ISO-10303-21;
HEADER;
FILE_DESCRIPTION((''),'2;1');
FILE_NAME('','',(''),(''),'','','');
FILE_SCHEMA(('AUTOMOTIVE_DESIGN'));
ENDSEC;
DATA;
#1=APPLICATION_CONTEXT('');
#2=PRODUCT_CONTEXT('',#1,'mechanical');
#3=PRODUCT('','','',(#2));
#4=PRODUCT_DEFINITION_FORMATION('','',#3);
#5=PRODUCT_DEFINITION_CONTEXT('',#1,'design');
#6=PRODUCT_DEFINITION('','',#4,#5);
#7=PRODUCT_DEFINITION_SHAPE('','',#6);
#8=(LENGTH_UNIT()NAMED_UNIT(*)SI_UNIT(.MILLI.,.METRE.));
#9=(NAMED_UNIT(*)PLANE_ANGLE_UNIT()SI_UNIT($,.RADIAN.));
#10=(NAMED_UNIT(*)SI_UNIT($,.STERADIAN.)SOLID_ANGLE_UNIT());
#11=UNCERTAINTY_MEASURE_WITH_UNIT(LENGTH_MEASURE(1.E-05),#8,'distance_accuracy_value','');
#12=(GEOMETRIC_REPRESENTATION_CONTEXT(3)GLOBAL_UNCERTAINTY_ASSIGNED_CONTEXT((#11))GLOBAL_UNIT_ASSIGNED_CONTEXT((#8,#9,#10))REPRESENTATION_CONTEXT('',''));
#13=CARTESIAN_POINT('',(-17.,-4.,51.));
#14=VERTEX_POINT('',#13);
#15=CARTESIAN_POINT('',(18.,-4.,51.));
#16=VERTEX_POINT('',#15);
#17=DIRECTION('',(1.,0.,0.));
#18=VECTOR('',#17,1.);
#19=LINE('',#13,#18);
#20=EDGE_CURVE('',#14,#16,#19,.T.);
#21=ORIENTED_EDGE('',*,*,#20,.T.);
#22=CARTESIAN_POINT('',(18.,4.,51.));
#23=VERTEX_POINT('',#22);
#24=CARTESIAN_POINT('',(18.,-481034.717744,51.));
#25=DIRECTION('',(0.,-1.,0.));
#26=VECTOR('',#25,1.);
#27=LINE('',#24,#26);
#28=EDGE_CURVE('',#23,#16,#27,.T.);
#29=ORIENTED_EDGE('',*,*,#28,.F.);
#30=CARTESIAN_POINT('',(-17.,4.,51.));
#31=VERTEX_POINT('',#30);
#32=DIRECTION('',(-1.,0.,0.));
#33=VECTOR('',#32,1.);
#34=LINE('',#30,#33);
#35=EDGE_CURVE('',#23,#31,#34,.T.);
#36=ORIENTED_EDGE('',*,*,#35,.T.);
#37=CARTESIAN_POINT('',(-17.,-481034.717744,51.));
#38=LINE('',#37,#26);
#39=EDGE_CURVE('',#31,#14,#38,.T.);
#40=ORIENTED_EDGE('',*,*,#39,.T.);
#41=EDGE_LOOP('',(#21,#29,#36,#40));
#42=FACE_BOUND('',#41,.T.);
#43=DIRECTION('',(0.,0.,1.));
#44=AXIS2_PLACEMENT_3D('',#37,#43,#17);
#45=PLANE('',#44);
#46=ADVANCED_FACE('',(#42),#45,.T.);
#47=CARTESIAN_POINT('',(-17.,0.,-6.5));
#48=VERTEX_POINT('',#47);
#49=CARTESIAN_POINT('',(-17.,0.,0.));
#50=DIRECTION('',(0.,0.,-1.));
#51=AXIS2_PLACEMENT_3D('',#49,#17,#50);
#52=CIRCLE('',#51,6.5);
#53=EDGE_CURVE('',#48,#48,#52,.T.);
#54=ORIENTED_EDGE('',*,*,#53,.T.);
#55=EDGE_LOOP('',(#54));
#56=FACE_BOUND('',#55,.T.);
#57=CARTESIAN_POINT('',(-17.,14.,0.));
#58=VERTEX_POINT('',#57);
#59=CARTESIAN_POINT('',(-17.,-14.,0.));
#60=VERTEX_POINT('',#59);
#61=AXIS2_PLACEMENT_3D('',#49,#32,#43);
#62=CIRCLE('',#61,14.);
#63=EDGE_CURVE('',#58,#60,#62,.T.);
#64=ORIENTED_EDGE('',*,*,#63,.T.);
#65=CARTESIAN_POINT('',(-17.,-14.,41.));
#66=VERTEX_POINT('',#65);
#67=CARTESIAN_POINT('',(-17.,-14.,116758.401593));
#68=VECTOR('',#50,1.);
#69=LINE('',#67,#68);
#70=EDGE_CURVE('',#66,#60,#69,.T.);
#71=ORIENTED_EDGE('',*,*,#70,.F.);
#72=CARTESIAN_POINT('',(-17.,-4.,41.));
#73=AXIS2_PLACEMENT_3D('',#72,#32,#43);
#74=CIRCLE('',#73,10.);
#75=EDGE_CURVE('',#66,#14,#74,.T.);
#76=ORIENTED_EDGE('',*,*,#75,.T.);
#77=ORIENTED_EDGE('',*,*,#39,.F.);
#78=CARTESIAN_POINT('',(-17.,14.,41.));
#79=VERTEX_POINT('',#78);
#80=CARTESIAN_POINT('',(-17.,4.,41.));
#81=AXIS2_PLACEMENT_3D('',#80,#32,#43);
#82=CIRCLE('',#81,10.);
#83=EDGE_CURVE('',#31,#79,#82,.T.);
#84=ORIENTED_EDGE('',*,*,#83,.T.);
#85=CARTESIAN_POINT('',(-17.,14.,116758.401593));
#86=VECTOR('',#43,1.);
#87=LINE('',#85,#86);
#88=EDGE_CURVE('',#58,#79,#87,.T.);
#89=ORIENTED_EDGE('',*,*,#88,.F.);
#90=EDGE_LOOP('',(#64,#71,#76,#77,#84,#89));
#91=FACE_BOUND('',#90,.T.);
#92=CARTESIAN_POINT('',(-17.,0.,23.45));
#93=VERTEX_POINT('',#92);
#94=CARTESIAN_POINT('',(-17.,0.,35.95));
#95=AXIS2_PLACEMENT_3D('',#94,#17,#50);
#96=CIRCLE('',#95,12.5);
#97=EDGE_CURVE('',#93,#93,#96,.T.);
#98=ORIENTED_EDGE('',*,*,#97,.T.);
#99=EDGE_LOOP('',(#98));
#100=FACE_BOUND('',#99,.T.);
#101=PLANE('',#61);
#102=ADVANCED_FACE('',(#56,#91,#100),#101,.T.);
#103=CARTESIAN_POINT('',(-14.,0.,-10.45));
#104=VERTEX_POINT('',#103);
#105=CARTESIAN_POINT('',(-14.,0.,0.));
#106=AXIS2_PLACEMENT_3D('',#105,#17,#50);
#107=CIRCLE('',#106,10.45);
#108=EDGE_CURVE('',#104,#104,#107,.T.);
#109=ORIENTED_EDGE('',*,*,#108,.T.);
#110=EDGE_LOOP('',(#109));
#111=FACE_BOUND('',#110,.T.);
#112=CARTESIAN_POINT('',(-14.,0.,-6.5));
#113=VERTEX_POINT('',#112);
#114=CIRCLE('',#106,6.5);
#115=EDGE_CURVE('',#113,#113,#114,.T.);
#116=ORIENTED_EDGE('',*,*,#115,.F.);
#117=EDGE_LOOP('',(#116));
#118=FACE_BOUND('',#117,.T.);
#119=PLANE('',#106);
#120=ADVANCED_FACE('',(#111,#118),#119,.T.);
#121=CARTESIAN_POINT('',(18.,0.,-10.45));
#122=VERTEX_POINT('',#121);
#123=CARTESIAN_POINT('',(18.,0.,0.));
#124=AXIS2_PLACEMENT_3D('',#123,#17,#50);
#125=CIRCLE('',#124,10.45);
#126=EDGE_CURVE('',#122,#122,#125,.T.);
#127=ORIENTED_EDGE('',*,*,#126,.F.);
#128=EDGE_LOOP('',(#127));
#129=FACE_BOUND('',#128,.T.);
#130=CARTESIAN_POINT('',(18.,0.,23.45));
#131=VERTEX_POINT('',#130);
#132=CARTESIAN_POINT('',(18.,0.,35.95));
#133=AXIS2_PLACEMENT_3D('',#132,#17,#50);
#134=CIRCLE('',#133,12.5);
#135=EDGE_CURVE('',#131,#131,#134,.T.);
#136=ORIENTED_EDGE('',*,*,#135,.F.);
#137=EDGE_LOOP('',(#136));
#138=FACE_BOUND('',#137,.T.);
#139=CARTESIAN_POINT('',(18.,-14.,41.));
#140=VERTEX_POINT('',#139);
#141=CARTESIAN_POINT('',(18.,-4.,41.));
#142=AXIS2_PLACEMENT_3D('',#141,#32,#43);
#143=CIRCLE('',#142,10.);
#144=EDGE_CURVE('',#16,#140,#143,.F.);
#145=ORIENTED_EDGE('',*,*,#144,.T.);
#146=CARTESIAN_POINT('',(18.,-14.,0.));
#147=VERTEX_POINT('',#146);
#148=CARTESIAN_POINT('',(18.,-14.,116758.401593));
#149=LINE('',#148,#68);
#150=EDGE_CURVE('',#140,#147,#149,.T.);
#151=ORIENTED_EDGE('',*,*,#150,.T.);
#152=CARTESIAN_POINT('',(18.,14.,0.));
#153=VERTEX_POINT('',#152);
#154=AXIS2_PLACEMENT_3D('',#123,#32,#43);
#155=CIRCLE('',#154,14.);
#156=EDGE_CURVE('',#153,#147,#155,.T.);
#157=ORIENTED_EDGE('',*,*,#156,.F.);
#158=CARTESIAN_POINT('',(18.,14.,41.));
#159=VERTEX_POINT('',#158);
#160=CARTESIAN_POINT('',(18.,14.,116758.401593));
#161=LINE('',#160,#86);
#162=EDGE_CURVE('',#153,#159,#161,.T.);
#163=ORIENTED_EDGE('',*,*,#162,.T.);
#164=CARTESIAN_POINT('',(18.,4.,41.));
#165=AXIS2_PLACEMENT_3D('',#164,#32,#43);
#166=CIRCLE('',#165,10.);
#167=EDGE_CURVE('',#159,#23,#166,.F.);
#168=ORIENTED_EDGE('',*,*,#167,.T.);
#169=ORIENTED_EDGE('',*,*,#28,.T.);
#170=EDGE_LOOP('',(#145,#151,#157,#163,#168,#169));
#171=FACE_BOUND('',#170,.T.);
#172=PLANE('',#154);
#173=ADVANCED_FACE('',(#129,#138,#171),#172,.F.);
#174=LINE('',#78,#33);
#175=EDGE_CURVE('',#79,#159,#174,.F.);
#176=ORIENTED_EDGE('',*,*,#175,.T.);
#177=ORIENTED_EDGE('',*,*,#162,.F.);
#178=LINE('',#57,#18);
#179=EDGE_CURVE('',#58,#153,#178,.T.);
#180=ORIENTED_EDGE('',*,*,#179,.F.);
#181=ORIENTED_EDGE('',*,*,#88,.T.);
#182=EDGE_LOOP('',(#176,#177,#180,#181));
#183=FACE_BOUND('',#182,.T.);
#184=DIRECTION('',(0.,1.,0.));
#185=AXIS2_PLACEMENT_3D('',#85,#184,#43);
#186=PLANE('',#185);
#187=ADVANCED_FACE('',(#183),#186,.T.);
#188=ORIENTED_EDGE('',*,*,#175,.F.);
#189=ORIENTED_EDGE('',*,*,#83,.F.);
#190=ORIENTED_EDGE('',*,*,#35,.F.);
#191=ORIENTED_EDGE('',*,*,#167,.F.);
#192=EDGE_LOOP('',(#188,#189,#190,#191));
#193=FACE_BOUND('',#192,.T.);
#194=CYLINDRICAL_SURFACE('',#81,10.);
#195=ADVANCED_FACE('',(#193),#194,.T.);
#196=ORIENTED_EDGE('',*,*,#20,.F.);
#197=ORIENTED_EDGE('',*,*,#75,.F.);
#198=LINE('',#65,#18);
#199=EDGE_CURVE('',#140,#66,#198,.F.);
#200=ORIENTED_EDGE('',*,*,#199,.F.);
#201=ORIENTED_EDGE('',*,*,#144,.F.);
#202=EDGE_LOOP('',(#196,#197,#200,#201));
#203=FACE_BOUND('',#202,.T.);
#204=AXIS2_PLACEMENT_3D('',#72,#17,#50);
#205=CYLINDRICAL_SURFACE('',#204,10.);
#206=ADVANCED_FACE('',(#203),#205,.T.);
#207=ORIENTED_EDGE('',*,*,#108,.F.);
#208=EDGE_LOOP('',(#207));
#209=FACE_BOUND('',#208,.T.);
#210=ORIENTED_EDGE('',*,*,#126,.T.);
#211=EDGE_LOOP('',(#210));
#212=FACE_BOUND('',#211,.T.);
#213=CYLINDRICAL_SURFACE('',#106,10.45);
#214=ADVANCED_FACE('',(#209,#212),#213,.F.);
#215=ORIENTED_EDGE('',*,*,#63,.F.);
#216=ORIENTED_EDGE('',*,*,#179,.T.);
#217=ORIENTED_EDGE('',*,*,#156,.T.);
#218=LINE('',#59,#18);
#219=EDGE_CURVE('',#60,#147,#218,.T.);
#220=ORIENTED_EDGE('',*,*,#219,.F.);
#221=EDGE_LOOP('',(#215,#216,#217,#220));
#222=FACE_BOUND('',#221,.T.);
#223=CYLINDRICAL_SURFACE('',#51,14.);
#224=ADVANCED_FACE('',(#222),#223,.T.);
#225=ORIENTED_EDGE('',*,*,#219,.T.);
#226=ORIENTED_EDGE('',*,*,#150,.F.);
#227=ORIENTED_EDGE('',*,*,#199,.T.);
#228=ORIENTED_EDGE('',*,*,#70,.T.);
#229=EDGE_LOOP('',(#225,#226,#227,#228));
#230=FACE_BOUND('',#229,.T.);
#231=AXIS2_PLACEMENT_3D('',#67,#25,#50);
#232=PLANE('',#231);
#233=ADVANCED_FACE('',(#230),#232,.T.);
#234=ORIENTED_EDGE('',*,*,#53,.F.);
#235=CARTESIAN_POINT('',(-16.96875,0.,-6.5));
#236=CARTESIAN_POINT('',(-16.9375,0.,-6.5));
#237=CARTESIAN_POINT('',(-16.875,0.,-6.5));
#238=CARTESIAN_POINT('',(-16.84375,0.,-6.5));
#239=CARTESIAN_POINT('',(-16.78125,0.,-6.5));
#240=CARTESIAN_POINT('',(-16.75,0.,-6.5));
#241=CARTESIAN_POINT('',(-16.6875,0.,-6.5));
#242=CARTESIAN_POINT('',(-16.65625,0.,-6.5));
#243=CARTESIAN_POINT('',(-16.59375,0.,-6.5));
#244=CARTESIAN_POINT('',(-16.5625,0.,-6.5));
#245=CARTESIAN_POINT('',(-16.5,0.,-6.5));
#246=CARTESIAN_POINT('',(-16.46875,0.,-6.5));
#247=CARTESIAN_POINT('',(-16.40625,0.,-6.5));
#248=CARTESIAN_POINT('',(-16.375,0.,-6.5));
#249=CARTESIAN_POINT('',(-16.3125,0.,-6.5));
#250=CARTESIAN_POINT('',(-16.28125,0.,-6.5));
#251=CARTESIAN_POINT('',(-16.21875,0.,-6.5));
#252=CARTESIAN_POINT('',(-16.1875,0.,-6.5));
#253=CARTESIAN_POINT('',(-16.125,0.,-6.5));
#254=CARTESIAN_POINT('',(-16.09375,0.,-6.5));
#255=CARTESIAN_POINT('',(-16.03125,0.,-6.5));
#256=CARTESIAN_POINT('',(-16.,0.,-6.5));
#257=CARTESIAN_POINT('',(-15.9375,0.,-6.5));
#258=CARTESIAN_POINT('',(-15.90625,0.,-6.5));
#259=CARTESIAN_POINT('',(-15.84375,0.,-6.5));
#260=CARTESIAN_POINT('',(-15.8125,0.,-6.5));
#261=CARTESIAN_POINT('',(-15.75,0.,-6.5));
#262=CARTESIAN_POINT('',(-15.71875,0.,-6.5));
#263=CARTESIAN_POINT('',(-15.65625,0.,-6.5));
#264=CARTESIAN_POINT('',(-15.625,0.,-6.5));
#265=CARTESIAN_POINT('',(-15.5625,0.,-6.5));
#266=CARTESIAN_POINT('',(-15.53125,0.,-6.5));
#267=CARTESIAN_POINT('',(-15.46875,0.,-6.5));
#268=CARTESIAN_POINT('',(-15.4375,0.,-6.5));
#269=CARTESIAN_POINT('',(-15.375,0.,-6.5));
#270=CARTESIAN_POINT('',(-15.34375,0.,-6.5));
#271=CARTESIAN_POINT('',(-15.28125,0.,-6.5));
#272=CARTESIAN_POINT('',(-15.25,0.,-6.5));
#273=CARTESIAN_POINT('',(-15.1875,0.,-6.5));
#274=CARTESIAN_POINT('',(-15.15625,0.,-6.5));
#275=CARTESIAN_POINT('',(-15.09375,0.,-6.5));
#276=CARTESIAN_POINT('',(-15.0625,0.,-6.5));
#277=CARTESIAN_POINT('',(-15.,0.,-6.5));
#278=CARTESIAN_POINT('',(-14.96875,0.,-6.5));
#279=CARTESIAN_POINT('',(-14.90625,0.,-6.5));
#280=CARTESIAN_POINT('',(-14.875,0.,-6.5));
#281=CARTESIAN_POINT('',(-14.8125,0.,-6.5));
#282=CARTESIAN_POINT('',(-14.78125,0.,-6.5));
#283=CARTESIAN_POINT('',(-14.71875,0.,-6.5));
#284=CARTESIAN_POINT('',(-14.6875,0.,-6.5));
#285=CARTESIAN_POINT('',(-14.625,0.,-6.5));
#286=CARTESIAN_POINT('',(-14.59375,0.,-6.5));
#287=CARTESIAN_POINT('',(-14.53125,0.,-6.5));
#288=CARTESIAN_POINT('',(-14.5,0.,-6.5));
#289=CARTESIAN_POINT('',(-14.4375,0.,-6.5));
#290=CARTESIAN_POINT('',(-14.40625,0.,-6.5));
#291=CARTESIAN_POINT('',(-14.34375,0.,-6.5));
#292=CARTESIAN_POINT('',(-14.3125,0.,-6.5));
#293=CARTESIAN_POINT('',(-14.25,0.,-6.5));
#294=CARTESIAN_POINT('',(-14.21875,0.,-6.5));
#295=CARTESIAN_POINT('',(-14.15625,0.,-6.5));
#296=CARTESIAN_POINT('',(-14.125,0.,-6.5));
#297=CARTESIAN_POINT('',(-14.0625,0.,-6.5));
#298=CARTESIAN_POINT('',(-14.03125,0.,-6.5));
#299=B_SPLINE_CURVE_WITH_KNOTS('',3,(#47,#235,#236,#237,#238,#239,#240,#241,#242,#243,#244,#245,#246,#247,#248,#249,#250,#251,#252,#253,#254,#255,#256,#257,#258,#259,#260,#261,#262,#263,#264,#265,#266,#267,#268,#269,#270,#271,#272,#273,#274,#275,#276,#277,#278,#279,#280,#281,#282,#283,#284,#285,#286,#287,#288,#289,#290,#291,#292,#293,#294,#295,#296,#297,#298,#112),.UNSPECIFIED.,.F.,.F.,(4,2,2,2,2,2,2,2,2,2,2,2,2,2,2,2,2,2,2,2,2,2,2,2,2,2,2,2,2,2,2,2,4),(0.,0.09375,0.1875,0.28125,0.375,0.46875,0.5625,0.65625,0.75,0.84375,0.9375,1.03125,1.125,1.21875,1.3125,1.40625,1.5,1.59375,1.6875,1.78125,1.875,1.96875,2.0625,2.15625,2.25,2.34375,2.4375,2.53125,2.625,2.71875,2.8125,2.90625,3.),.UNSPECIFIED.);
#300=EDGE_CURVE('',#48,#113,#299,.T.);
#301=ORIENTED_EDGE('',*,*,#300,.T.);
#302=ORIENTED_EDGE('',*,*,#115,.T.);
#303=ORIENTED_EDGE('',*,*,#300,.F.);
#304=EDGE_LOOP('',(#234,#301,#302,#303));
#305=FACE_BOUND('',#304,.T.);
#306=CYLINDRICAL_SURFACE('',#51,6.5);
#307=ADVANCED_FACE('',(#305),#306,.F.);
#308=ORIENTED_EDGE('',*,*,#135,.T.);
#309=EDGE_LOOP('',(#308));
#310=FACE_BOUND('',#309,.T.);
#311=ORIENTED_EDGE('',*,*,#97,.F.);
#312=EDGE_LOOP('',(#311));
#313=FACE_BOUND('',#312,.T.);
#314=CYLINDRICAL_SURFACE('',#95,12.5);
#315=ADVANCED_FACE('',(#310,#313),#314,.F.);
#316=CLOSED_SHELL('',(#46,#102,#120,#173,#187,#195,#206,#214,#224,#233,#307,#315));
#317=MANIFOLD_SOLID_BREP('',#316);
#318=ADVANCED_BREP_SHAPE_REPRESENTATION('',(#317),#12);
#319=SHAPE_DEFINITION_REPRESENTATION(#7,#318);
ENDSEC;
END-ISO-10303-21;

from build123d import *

# Parameters (mm, degrees)
BOSS_EXTRUDE1_START = -17
BOSS_EXTRUDE1_DEPTH = 35
SKETCH2_R           = 10.45
CUT_EXTRUDE1_DEPTH  = 32
SKETCH3_R           = 6.5
CUT_EXTRUDE2_DEPTH  = 62.814237842
SKETCH4_R           = 12.5
CUT_EXTRUDE3_DEPTH  = 64.419239983
FILLET5_R           = 10
FILLET6_R           = 10


with BuildPart() as part:
    # Sketch1 → Boss-Extrude1 (new body)
    with BuildSketch(Plane.YZ.offset(BOSS_EXTRUDE1_START)):
        with BuildLine():
            Line((-14, 0), (-14, 51))
            Line((-14, 51), (14, 51))
            Line((14, 51), (14, 0))
            ThreePointArc((14, 0), (0, -14), (-14, 0))
        make_face()
    extrude(amount=BOSS_EXTRUDE1_DEPTH)

    # Sketch2 → Cut-Extrude1 (cut)
    with BuildSketch(Plane.YZ.offset(18)):
        with Locations(Location((0, 0, 0), (0, 0, 270))):
            Circle(SKETCH2_R)
    extrude(amount=-CUT_EXTRUDE1_DEPTH, mode=Mode.SUBTRACT)

    # Sketch3 → Cut-Extrude2 (cut, through all)
    with BuildSketch(Plane.YZ.offset(-14)):
        with Locations(Location((0, 0, 0), (0, 0, 270))):
            Circle(SKETCH3_R)
    extrude(amount=-CUT_EXTRUDE2_DEPTH, mode=Mode.SUBTRACT)

    # Sketch4 → Cut-Extrude3 (cut, through all)
    with BuildSketch(Plane.YZ.offset(18)):
        with Locations(Location((0, 35.95, 0), (0, 0, 270))):
            Circle(SKETCH4_R)
    extrude(amount=-CUT_EXTRUDE3_DEPTH, mode=Mode.SUBTRACT)

    # Fillet5
    fillet5_edges = [part.edges().sort_by_distance(p)[0] for p in [
        (0.5, 14, 51),
    ]]
    fillet(fillet5_edges, radius=FILLET5_R)

    # Fillet6
    fillet6_edges = [part.edges().sort_by_distance(p)[0] for p in [
        (0.5, -14, 51),
    ]]
    fillet(fillet6_edges, radius=FILLET6_R)


solid = part.part
